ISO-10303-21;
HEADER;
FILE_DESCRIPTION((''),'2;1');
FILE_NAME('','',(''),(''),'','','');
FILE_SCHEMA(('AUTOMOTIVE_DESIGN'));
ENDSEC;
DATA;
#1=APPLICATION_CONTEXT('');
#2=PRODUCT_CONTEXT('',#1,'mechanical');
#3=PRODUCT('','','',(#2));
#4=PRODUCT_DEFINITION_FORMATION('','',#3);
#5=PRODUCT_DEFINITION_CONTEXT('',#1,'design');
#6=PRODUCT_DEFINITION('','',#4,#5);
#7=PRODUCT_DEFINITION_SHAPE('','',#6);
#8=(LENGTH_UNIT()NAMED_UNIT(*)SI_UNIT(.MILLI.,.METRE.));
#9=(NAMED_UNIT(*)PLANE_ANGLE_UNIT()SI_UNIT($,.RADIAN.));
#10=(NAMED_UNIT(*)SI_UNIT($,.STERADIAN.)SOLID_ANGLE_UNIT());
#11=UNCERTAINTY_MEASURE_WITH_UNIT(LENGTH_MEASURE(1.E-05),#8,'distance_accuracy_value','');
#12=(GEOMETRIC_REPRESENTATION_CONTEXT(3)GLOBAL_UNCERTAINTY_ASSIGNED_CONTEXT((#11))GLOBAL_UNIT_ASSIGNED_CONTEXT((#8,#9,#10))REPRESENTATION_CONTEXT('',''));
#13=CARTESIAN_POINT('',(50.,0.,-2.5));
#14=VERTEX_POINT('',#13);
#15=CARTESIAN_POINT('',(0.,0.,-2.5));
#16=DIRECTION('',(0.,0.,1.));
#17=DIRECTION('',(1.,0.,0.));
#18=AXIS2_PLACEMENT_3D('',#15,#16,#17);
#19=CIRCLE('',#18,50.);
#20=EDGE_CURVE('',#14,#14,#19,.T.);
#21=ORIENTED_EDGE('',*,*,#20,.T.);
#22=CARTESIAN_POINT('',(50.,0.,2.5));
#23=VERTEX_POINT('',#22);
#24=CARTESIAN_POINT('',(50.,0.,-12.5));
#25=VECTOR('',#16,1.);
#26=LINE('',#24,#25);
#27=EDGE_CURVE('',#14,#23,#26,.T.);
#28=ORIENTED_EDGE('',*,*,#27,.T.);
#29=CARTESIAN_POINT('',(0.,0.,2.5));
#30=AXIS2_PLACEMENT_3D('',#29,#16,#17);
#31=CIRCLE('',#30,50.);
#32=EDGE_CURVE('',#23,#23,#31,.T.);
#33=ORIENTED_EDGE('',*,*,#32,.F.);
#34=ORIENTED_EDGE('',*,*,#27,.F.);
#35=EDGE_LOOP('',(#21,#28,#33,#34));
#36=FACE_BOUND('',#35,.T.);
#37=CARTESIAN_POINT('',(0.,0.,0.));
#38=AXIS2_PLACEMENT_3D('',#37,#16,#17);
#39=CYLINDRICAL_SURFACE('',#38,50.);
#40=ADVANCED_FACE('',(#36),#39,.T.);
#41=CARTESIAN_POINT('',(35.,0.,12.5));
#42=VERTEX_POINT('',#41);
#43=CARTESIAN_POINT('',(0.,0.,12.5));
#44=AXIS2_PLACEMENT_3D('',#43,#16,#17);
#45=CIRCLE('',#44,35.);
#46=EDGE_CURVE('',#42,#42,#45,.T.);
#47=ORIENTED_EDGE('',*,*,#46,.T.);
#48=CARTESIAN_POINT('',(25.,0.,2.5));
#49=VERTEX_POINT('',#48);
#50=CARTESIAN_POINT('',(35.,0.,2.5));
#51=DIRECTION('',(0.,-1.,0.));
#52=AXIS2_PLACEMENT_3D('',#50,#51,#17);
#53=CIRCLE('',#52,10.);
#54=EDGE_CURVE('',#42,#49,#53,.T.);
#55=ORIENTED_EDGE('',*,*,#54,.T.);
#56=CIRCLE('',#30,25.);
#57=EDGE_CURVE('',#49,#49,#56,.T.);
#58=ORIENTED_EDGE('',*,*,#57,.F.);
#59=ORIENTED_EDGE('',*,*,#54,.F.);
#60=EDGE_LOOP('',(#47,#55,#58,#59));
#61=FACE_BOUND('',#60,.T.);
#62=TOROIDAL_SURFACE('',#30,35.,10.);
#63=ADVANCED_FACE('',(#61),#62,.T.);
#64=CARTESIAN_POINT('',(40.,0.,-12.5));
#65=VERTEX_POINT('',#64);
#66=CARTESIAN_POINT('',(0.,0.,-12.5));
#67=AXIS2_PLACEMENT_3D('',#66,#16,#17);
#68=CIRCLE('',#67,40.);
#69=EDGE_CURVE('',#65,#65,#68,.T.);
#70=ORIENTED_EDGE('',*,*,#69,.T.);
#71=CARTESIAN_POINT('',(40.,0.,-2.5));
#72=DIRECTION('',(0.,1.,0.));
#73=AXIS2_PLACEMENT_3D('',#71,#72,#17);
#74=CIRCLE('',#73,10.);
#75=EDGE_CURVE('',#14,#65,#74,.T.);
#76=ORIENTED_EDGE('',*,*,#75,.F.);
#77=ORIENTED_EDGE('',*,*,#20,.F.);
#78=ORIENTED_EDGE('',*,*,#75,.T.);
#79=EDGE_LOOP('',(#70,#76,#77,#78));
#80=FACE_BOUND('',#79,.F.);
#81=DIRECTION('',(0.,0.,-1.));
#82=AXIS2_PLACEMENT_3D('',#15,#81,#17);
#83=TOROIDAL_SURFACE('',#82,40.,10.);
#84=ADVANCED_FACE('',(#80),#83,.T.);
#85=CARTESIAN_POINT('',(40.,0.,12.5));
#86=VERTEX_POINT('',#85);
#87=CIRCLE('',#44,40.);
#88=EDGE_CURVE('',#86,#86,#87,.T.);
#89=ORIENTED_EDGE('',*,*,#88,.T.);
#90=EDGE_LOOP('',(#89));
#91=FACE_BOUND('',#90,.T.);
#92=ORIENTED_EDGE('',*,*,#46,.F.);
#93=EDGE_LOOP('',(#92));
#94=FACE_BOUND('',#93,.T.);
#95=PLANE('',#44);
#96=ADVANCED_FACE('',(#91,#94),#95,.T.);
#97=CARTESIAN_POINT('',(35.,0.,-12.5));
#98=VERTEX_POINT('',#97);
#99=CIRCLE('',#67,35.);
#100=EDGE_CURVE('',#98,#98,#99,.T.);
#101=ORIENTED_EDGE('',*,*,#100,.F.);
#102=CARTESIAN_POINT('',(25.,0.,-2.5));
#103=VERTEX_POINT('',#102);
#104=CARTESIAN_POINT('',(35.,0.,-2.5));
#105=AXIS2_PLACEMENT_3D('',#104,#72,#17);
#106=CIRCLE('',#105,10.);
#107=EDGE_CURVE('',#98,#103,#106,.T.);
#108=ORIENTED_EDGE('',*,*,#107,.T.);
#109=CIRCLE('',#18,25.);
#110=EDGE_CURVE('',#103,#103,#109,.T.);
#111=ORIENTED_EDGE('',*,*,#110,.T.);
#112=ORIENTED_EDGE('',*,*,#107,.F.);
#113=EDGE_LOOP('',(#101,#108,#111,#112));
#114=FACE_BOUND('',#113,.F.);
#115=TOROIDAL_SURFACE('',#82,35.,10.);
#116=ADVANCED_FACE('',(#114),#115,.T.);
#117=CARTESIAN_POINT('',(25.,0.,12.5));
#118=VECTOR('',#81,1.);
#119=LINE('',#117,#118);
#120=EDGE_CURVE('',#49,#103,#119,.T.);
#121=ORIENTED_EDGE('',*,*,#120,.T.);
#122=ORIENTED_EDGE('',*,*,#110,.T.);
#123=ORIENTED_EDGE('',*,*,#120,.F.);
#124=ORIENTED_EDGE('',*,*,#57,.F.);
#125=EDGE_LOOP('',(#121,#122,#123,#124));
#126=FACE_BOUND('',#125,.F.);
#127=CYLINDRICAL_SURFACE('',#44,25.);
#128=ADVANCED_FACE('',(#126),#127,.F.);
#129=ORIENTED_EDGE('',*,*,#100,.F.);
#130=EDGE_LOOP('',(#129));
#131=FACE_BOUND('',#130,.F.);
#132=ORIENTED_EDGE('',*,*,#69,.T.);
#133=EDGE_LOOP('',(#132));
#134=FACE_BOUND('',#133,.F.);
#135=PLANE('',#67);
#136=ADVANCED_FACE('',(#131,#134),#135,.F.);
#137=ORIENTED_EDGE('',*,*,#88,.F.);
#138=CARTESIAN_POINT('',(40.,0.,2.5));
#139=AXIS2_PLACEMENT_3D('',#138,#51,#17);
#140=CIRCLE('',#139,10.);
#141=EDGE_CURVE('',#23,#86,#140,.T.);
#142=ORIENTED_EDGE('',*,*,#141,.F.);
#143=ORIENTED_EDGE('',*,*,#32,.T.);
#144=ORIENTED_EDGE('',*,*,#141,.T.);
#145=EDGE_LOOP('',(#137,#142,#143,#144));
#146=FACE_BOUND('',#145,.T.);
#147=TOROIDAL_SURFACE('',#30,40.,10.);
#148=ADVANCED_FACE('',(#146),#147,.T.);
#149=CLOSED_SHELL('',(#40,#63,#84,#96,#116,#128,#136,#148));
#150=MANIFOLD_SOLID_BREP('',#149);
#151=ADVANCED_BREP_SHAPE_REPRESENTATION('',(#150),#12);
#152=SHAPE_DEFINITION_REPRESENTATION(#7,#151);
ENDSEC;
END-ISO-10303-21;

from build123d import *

# Parameters (mm, degrees)
F0_R     = 50
F1_DEPTH = 12.5
F2_R     = 25
F3_DEPTH = 25
F4_R     = 10


with BuildPart() as f1:
    # F0 (on Top) → F1 (new body, symmetric)
    with BuildSketch(Plane.XY):
        Circle(F0_R)
    extrude(amount=F1_DEPTH, both=True)

    # F2 (on face) → F3 (cut)
    with BuildSketch(Plane.XY.offset(12.5)):
        Circle(F2_R)
    extrude(amount=-F3_DEPTH, mode=Mode.SUBTRACT)

    # F4
    f4_edges = [f1.edges().sort_by_distance(p)[0] for p in [
        (-50, 0, 12.5),
        (-50, 0, -12.5),
        (-25, 0, 12.5),
        (-25, 0, -12.5),
    ]]
    fillet(f4_edges, radius=F4_R)


solid = f1.part
